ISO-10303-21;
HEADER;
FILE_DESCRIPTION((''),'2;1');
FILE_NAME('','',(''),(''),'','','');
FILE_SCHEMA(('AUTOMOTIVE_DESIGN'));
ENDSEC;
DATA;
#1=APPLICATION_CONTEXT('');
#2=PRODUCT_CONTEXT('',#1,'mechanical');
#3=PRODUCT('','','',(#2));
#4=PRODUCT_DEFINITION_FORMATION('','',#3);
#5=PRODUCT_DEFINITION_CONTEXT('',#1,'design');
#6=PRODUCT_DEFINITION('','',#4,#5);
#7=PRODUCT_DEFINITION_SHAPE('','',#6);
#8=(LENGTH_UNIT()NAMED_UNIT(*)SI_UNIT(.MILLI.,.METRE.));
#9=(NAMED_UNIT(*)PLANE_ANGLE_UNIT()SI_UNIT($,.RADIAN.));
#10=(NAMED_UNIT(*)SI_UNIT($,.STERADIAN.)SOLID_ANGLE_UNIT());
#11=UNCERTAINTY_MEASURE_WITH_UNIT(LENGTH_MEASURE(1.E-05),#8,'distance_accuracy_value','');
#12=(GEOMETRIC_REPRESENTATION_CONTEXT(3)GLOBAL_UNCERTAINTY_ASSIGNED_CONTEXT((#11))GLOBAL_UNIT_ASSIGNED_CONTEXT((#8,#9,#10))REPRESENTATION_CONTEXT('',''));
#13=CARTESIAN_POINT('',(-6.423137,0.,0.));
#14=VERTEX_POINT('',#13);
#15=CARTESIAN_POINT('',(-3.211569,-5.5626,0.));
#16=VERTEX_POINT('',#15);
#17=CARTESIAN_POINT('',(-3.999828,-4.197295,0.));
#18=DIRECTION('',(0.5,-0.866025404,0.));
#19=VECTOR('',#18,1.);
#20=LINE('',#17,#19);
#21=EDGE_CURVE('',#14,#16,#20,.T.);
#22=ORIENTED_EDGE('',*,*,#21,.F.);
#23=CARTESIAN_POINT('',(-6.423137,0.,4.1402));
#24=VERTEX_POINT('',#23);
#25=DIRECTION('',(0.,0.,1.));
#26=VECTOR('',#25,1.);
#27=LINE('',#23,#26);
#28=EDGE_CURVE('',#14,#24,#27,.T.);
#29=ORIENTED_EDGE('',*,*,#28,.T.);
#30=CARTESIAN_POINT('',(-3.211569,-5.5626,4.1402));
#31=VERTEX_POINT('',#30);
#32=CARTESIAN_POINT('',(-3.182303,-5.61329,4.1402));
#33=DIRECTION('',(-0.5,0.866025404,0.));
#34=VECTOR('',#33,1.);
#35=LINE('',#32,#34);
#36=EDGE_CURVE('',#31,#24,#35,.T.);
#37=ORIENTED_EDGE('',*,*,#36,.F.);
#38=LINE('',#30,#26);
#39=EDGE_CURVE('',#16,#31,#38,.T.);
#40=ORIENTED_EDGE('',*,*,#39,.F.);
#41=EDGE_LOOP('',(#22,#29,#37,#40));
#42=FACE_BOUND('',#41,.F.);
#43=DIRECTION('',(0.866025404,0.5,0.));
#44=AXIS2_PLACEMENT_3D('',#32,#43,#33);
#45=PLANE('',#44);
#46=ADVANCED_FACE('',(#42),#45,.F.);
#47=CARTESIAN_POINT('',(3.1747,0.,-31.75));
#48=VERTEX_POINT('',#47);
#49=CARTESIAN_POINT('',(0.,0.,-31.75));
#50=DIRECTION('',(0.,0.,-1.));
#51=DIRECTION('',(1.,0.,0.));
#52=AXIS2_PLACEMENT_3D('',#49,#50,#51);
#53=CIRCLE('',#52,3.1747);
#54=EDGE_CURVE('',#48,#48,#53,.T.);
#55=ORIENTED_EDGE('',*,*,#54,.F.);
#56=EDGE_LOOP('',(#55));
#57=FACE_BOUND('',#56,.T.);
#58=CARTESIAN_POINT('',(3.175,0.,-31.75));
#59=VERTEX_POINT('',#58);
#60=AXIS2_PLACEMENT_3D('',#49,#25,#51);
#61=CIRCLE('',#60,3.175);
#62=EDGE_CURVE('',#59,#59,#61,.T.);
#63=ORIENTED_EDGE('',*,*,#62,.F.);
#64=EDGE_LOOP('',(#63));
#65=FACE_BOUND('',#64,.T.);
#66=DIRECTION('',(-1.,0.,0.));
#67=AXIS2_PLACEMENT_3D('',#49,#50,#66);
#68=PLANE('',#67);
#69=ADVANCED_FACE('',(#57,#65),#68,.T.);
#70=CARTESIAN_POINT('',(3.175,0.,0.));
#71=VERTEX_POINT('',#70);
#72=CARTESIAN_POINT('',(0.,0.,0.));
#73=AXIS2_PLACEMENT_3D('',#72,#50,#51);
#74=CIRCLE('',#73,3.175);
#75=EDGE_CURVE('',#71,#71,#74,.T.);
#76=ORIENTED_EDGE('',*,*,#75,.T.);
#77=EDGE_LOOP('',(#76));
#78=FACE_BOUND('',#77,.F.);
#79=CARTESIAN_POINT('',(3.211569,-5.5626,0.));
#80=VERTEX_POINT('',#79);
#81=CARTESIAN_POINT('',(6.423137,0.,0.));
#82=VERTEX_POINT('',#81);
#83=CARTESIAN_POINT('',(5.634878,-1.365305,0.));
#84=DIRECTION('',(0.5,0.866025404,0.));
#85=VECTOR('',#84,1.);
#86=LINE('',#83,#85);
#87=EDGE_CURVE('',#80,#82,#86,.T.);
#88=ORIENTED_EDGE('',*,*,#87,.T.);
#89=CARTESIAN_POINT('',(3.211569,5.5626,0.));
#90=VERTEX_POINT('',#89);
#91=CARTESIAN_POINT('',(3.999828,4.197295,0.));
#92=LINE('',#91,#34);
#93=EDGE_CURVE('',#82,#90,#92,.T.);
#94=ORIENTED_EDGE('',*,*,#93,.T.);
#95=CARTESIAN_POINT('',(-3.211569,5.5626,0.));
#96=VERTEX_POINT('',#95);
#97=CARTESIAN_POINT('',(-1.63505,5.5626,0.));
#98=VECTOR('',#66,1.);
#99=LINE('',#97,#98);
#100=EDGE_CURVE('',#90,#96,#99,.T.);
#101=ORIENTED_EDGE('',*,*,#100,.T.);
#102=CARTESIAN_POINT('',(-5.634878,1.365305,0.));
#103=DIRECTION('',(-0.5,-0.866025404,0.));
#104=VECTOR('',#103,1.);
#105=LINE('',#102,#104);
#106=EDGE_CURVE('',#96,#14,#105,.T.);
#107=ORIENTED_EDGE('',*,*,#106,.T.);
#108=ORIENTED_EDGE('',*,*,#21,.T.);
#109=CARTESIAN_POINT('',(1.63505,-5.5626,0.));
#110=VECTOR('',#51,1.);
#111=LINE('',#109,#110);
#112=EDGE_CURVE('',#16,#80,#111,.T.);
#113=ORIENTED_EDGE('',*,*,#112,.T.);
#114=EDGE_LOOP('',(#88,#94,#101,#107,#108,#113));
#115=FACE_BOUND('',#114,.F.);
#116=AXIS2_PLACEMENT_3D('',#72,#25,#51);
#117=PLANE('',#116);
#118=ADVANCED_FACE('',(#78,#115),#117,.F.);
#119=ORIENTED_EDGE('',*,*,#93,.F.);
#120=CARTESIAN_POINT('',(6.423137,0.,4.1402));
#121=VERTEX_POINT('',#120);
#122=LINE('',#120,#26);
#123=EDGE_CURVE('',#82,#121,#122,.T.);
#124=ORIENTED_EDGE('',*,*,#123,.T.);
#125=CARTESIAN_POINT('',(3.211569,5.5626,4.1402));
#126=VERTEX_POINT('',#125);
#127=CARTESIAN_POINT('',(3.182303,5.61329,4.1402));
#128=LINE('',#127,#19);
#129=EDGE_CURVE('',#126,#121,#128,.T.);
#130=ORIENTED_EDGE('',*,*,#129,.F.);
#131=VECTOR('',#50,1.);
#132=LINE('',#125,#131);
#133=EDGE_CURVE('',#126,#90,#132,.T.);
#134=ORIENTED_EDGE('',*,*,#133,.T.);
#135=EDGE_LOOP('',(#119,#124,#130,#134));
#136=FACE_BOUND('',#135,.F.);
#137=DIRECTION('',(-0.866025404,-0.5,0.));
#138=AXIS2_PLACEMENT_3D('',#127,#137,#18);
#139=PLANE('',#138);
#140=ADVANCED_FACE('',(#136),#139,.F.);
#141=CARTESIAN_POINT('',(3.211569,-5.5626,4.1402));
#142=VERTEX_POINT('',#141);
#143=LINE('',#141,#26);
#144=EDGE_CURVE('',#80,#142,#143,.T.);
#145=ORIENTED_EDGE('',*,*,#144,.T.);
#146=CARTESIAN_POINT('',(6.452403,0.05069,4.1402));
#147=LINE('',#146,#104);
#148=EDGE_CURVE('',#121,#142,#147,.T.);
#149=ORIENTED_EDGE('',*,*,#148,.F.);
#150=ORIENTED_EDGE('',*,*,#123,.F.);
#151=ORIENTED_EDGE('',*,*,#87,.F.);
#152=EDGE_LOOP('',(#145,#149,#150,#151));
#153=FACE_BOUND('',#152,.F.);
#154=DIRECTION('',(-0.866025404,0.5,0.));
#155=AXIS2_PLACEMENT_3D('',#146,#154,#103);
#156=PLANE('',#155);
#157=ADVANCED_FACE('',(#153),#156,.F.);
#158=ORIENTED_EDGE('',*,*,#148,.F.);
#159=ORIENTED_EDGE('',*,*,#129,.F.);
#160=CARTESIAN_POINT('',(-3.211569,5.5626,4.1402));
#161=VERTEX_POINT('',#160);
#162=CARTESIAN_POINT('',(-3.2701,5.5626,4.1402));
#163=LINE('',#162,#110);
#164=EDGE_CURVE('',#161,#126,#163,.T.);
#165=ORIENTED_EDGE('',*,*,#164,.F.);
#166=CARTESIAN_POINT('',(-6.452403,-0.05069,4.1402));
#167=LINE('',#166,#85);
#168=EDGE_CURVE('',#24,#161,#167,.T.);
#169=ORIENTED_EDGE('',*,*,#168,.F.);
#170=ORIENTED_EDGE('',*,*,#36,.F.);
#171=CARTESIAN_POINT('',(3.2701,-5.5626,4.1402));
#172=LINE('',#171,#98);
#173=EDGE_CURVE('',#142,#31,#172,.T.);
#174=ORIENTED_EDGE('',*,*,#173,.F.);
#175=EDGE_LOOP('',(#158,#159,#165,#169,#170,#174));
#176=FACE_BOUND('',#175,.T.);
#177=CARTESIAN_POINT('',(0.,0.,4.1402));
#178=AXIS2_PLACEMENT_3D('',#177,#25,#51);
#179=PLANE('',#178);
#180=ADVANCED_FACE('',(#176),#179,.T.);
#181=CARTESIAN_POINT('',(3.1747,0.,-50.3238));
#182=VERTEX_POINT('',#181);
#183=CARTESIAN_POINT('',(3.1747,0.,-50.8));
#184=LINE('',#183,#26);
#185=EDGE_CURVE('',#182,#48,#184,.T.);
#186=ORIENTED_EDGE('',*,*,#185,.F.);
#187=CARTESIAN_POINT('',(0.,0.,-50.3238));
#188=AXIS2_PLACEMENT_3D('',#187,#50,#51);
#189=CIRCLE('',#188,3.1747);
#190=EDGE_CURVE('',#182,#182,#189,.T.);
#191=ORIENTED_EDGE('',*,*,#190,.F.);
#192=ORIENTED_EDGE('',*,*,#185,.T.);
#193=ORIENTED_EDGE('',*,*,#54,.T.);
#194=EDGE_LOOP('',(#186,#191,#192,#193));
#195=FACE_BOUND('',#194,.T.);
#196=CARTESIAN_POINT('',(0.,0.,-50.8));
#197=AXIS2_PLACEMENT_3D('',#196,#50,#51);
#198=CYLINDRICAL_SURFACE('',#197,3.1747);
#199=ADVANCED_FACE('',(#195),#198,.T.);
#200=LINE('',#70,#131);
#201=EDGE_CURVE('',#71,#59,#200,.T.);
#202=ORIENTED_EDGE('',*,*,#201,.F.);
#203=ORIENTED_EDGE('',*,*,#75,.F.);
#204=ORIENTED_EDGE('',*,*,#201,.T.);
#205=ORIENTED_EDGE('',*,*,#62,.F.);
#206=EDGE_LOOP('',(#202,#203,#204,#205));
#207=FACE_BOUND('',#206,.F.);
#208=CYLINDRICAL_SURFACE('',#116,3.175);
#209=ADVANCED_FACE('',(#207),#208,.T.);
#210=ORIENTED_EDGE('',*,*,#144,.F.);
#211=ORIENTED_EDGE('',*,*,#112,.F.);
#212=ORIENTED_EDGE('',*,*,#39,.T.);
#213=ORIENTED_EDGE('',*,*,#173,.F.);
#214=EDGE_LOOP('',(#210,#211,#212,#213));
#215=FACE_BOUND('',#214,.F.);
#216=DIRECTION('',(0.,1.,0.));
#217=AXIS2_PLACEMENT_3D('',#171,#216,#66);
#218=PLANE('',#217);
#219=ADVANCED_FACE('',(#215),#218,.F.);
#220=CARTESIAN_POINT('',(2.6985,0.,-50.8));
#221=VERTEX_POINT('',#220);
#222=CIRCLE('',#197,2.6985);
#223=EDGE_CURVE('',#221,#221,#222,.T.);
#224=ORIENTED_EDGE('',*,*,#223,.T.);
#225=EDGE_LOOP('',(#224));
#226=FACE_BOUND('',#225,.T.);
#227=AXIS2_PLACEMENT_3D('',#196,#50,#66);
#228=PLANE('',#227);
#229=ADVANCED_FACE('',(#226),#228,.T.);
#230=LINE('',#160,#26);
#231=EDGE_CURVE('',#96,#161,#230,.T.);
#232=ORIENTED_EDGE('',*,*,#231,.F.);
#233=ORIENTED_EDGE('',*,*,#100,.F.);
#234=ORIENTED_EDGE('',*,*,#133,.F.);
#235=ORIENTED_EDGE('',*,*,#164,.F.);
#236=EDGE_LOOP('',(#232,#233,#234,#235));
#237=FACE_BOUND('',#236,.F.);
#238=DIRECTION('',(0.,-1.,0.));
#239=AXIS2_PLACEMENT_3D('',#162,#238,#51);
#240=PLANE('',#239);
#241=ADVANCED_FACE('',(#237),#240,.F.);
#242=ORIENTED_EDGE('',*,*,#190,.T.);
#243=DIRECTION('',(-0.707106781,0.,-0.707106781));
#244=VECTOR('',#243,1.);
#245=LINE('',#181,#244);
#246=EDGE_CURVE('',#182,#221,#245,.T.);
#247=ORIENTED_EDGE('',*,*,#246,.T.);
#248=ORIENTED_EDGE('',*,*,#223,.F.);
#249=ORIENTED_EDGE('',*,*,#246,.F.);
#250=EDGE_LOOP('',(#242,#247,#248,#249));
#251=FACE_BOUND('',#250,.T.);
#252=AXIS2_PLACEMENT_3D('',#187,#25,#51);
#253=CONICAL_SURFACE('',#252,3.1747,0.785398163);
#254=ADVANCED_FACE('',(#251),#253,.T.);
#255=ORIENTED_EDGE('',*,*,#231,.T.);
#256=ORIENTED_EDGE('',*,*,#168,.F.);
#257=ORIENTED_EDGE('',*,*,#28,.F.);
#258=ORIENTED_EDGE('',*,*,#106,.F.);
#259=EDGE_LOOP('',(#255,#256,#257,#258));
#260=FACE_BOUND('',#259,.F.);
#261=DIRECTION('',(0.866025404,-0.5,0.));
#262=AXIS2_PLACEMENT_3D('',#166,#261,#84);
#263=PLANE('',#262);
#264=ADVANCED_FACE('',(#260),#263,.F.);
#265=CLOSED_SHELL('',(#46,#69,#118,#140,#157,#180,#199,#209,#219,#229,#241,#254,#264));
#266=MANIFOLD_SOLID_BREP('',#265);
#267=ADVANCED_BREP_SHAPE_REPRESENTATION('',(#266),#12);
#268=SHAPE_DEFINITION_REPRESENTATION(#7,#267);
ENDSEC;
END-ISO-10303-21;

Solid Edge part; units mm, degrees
sketch "Sketch1" plane through (0, 0, 0) normal (0, 0, 1) x (1, 0, 0)
  circle A0 centre (0, 0) radius 6.4526
  dimension "D1" = 12.9052
extrude "Protrusion1" add sketch "Sketch1" along normal blind 4.1402
sketch "Sketch2" plane through (0, 0, 0) normal (0, 0, -1) x (1, 0, 0)
  circle A0 centre (0, 0) radius 3.175
extrude "Protrusion2" add sketch "Sketch2" along normal blind 50.8
sketch "Sketch3" plane through (0, 0, -50.8) normal (0, 0, -1) x (1, 0, 0)
  circle A0 centre (0, 0) radius 3.1747
extrude "Cutout1" cut sketch "Sketch3" against normal blind 19.05 flip side to cut
chamfer "Chamfer_1" distance 0.4762 angle 45 1 edges at (-3.1747, 0, -50.8)
sketch "Sketch4" plane through (0, 0, 4.1402) normal (0, 0, 1) x (1, 0, 0)
  line L0 (-3.2701, 5.5626) -> (3.2701, 5.5626)
  dimension "D1" = 11.1252
extrude "Cutout2" cut sketch "Sketch4" against normal up to next material side at (0, 5.6126, 4.1402)
pattern_circular "Pattern1" count 6 over 360 about axis through (0, 0, 4.1402) along (0, 0, 1) of "Cutout2"
properties part number "24100004"
